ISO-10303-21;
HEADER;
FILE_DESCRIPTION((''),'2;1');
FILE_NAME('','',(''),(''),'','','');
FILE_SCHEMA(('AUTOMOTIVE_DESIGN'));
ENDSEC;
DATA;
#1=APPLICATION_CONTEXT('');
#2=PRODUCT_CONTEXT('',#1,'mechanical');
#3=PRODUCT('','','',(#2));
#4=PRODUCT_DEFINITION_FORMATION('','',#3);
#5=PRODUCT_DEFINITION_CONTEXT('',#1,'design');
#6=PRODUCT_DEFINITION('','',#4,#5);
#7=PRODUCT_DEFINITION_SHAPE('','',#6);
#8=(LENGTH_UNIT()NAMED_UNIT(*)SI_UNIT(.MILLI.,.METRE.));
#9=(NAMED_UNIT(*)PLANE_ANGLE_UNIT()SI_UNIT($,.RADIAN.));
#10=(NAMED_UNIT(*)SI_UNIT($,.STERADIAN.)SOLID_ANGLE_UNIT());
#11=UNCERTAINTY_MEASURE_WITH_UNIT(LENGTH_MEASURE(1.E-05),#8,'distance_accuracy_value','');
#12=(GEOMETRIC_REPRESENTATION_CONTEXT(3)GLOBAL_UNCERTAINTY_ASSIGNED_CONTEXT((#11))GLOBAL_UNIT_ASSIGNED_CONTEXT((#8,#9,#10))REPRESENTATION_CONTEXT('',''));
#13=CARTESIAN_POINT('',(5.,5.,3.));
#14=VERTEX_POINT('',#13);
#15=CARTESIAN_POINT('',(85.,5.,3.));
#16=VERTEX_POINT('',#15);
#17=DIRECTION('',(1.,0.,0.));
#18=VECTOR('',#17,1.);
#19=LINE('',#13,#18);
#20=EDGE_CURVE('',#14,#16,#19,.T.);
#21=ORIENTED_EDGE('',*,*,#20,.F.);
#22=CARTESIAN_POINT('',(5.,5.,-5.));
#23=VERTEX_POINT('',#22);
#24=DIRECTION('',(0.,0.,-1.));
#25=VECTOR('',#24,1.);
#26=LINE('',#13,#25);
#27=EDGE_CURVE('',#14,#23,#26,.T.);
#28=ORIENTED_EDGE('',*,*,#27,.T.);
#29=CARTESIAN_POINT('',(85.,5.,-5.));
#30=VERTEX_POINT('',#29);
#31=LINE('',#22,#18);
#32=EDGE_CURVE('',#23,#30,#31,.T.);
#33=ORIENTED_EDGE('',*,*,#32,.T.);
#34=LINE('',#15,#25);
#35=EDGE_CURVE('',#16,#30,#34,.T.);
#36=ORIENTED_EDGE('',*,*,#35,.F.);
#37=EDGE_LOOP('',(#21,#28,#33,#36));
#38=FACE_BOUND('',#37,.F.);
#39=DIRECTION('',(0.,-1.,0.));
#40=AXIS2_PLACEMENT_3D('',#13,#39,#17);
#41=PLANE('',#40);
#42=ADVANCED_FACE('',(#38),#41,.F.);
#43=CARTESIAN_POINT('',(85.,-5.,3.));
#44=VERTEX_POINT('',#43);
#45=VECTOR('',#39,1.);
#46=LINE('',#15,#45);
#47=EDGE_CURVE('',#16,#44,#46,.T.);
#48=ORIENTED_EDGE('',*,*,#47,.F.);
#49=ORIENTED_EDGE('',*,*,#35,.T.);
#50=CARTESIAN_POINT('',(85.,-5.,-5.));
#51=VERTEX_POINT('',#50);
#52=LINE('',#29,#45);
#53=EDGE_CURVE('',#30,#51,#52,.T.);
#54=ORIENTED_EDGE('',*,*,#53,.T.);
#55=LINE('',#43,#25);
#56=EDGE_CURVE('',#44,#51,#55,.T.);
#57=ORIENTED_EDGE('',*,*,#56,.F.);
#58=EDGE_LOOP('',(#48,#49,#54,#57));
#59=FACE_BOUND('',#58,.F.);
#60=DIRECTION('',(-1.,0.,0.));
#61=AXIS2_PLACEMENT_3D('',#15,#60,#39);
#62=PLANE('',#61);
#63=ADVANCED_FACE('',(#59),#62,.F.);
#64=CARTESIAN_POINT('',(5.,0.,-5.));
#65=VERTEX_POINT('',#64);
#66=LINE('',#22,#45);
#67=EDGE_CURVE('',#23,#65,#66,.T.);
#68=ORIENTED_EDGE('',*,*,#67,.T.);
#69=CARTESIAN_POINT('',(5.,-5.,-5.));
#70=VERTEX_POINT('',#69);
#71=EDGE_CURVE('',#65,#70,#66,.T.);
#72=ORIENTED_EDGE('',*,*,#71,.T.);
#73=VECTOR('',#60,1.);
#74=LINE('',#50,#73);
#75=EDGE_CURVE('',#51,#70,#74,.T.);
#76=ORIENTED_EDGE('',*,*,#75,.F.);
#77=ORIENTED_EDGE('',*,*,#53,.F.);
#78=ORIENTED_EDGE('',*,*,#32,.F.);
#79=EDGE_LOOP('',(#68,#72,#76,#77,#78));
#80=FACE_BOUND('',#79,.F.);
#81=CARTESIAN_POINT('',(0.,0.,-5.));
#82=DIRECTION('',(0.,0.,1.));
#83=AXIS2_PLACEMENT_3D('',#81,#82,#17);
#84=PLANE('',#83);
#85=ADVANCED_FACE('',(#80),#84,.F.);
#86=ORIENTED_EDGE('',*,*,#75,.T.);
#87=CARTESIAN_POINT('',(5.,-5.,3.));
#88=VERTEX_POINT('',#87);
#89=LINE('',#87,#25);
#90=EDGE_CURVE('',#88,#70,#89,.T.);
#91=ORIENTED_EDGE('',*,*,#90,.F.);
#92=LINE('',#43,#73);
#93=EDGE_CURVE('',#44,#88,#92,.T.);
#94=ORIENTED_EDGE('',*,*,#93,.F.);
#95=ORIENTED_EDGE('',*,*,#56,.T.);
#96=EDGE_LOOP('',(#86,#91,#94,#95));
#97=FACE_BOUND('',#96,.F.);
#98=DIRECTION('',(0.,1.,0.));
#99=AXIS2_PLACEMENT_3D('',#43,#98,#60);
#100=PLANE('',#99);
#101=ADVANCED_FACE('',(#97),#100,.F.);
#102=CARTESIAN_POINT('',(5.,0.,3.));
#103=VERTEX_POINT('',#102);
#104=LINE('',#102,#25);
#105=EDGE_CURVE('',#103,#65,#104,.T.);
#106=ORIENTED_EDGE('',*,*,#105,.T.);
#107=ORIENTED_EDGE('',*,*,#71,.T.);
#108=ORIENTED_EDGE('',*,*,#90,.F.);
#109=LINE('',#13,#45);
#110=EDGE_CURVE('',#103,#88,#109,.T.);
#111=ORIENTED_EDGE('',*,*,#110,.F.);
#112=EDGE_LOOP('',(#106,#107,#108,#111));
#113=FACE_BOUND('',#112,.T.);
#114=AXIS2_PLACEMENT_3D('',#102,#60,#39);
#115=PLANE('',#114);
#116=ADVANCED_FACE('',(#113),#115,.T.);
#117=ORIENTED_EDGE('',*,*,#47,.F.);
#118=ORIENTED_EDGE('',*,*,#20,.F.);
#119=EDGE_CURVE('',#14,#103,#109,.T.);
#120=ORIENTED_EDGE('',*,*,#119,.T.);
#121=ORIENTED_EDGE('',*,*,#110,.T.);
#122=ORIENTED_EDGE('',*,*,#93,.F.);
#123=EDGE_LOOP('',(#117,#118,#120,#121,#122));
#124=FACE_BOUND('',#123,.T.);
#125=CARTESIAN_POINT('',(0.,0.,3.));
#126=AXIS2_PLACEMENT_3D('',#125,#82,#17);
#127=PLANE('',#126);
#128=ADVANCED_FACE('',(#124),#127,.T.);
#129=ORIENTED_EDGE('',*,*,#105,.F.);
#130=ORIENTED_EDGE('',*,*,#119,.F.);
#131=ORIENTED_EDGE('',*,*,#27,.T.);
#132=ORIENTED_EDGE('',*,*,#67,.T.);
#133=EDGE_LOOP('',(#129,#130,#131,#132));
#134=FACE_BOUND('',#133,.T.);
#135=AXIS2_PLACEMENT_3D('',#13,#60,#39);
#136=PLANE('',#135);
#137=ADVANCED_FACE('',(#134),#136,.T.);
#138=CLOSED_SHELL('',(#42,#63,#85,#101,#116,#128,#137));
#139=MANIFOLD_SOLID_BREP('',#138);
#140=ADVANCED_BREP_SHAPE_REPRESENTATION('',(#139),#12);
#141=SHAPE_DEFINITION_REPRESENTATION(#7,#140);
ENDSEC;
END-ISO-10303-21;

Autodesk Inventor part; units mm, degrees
ref_plane "YZ Plane" through (0, 0, 0) normal (1, 0, 0) x (0, 1, 0)
sketch "Sketch1" plane through (0, 0, 0) normal (0, 0, 1) x (1, 0, 0)
  line L0 (5, 5) -> (85, 5)
  line L1 (85, 5) -> (85, -5)
  line L2 (85, -5) -> (5, -5)
  arc A0 (5, 5) -> (5, -5) centre (5, 0) ccw construction
  line L3 (0, 7) -> (0, -7) projected
  line L4 (-6, 0) -> (36, 0) projected
  line L5 (5, 5) -> (5, -5)
  dimension "d0" = 5
  dimension "d13" = 80
ref_plane "Work Plane1" through (0, 0, -5) normal (0, 0, 1) x (1, 0, 0)
ref_plane "Work Plane2" through (0, 0, 3) normal (0, 0, 1) x (1, 0, 0)
extrude "Body1" add sketch "Sketch1" against normal up to surface (8 mm away) from surface at 3
equation "\"d0\" = 0.5 * PB"
equation "\"d13\" = NLG"
equation "\"d1\" = -PNT"
equation "\"d2\" = PH - PNT"
equation "\"NLG\" = 80"
equation "\"PNT\" = 5"
equation "\"PH\" = 8"
equation "\"PHH\" = 0"
equation "\"RR\" = 0.001"
equation "\"WDMAX\" = 38"
equation "\"PLB1\" = 85"
equation "\"PUEB\" = 3.3"
equation "\"PB\" = 10"
properties part number "DIN 6885 - B 10 x 8 x 80" material "Steel, Mild"
